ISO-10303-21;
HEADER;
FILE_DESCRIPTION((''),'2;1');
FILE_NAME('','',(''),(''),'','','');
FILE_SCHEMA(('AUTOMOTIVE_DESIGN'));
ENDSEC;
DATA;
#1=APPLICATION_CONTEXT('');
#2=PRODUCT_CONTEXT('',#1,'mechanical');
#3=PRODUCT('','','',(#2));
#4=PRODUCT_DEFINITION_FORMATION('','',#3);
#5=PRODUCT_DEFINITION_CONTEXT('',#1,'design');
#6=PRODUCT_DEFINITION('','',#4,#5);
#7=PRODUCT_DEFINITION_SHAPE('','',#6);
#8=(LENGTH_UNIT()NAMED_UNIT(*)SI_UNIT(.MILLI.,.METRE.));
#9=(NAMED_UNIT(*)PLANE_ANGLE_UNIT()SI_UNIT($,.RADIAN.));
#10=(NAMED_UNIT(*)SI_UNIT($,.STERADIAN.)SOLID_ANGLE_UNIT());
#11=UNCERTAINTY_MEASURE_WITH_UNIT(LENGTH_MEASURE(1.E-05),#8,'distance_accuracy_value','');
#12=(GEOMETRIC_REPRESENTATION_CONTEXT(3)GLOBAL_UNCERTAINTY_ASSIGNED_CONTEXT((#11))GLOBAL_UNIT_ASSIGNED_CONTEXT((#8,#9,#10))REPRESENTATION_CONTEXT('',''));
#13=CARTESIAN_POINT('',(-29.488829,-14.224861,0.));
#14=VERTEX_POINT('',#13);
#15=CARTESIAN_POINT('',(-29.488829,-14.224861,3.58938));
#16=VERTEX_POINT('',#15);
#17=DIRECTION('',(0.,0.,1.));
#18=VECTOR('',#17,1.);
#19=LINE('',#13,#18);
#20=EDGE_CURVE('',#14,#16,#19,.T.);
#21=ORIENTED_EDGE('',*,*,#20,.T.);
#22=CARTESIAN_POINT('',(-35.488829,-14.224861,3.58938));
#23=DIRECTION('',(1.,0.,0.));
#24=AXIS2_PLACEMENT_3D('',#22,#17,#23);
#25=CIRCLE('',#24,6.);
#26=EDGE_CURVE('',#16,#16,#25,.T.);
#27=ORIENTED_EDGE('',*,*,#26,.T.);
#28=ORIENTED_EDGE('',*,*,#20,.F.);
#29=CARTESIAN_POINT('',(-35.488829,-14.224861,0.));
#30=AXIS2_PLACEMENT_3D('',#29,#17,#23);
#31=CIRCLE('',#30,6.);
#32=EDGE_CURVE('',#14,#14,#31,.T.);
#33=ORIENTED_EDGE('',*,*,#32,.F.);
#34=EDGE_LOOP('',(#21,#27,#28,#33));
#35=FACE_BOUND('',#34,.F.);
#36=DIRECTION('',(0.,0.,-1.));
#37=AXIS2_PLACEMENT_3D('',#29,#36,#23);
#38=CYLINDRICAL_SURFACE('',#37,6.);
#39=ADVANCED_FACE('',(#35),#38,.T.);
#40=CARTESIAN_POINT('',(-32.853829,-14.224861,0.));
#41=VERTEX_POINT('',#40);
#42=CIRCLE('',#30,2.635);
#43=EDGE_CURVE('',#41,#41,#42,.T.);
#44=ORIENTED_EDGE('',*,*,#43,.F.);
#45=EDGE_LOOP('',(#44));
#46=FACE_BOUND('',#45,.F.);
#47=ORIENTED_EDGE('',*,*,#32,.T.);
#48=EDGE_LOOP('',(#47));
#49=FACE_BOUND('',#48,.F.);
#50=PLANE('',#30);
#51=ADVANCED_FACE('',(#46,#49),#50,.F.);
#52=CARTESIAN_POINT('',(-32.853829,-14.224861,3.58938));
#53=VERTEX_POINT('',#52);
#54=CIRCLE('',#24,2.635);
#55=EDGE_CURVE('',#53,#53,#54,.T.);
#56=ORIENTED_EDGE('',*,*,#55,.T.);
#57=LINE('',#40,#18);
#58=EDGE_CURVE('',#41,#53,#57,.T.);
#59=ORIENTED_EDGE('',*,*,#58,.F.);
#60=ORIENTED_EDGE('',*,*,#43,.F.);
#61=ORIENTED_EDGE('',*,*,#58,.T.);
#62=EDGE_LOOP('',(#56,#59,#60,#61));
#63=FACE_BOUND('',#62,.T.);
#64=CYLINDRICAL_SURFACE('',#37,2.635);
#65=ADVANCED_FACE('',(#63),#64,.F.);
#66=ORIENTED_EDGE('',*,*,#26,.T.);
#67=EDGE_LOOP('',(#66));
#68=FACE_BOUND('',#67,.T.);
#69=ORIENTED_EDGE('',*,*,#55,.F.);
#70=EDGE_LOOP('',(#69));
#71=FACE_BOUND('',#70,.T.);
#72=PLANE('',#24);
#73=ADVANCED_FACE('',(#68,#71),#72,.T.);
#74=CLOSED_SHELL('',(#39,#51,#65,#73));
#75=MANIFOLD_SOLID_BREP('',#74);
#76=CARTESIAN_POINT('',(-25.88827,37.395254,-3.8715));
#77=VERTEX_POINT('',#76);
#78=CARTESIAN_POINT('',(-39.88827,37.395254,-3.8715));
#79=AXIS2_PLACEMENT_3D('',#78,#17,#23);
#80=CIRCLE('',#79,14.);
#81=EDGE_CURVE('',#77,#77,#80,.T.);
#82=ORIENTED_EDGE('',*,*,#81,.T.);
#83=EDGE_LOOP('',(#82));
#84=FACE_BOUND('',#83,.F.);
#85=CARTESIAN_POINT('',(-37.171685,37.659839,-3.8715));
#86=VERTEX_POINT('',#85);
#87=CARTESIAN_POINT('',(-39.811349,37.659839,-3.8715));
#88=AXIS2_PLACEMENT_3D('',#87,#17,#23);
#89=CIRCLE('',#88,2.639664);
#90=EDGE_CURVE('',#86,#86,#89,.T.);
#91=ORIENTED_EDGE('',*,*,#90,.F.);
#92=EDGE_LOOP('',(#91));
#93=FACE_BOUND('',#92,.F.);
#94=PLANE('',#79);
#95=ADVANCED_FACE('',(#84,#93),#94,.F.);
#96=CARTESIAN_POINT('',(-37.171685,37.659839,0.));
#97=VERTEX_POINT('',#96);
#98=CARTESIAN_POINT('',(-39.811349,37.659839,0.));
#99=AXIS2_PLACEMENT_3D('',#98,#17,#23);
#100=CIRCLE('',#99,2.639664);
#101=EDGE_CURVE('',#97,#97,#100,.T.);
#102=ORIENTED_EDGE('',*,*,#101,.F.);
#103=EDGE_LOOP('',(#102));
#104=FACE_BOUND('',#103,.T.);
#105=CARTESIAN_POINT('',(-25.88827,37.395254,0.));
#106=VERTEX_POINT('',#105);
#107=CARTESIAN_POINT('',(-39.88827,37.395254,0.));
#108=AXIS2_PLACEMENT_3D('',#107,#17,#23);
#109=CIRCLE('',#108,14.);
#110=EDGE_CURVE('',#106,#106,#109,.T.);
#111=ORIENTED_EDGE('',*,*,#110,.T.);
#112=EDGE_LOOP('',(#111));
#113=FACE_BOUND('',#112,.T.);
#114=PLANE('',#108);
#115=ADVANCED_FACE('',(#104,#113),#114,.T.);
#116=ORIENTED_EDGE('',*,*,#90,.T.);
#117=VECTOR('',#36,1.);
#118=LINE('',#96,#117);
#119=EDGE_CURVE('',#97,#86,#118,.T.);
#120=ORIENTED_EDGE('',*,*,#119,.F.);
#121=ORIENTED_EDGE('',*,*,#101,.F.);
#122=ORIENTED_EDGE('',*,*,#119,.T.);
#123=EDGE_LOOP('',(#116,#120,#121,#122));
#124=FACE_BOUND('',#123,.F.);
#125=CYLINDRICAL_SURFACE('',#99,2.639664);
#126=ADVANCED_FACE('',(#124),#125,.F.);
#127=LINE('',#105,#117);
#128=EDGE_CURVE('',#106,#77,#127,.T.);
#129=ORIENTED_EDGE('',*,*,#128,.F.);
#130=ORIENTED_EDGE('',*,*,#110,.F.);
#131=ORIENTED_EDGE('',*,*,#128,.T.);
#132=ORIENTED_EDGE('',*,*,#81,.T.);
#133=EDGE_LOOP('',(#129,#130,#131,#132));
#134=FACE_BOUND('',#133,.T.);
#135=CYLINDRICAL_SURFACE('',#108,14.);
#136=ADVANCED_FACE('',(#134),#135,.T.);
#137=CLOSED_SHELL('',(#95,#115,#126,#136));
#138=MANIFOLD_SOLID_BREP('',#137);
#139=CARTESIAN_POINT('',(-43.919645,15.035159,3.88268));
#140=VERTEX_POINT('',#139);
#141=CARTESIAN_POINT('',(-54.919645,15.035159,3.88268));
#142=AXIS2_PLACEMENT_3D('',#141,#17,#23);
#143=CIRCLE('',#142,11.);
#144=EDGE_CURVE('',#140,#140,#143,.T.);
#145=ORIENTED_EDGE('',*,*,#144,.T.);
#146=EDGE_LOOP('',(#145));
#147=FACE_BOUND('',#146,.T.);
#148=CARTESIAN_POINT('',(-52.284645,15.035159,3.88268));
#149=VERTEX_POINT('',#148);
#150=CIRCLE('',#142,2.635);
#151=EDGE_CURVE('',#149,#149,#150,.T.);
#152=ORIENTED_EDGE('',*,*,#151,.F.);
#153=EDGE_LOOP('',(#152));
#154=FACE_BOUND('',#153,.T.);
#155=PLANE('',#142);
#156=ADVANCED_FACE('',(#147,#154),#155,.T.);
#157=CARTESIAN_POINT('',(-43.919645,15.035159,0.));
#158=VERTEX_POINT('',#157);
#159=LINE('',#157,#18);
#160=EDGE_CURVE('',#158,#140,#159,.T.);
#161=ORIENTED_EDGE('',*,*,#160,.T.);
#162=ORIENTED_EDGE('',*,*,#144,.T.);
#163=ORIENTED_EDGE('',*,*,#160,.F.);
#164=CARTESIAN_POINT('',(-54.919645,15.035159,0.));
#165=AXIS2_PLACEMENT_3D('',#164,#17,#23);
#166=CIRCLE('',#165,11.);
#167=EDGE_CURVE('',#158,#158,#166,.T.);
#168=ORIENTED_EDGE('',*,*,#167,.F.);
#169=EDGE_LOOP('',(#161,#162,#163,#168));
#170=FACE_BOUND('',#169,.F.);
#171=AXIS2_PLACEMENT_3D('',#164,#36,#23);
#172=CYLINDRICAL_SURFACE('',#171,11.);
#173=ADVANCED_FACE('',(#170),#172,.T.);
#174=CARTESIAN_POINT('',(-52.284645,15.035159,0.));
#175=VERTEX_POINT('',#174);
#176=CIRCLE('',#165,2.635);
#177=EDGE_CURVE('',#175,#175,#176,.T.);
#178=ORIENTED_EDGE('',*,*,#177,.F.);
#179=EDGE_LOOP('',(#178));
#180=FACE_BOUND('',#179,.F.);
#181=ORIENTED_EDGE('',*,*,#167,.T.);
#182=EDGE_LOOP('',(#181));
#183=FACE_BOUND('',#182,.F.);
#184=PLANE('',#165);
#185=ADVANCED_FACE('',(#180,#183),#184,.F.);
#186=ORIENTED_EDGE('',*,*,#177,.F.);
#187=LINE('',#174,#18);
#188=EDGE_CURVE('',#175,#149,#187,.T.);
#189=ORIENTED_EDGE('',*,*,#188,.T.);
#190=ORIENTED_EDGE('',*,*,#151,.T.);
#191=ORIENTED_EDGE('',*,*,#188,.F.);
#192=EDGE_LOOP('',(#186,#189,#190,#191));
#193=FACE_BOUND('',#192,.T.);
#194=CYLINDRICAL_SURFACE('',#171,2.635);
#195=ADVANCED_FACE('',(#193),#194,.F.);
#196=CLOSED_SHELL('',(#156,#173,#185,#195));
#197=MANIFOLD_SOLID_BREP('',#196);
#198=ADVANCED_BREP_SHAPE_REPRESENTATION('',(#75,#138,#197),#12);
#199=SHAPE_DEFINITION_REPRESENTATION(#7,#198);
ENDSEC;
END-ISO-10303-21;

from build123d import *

# Parameters (mm, degrees)
F0_R     = 14
F1_DEPTH = 3.8715
F2_R     = 2.639664
F3_DEPTH = 25
F4_R     = 11
F4_R_2   = 2.635
F5_DEPTH = 3.88268
F6_R     = 6
F6_R_2   = 2.635
F7_DEPTH = 3.58938


with BuildPart() as f1:
    # F0 (on Top) → F1 (new body)
    with BuildSketch(Plane.XY):
        with Locations((-39.88827, 37.395254)):
            Circle(F0_R)
    extrude(amount=-F1_DEPTH)

    # F2 (on Top) → F3 (cut)
    with BuildSketch(Plane.XY):
        with Locations((-39.811349, 37.659839)):
            Circle(F2_R)
    extrude(amount=-F3_DEPTH, mode=Mode.SUBTRACT)


with BuildPart() as f5:
    # F4 (on Top) → F5 (new body)
    with BuildSketch(Plane.XY):
        with Locations((-54.919645, 15.035159)):
            Circle(F4_R)
        with Locations((-54.919645, 15.035159)):
            Circle(F4_R_2, mode=Mode.SUBTRACT)
    extrude(amount=F5_DEPTH)


with BuildPart() as f7:
    # F6 (on Top) → F7 (new body)
    with BuildSketch(Plane.XY):
        with Locations((-35.488829, -14.224861)):
            Circle(F6_R)
        with Locations((-35.488829, -14.224861)):
            Circle(F6_R_2, mode=Mode.SUBTRACT)
    extrude(amount=F7_DEPTH)


solid = Compound([f1.part, f5.part, f7.part])
